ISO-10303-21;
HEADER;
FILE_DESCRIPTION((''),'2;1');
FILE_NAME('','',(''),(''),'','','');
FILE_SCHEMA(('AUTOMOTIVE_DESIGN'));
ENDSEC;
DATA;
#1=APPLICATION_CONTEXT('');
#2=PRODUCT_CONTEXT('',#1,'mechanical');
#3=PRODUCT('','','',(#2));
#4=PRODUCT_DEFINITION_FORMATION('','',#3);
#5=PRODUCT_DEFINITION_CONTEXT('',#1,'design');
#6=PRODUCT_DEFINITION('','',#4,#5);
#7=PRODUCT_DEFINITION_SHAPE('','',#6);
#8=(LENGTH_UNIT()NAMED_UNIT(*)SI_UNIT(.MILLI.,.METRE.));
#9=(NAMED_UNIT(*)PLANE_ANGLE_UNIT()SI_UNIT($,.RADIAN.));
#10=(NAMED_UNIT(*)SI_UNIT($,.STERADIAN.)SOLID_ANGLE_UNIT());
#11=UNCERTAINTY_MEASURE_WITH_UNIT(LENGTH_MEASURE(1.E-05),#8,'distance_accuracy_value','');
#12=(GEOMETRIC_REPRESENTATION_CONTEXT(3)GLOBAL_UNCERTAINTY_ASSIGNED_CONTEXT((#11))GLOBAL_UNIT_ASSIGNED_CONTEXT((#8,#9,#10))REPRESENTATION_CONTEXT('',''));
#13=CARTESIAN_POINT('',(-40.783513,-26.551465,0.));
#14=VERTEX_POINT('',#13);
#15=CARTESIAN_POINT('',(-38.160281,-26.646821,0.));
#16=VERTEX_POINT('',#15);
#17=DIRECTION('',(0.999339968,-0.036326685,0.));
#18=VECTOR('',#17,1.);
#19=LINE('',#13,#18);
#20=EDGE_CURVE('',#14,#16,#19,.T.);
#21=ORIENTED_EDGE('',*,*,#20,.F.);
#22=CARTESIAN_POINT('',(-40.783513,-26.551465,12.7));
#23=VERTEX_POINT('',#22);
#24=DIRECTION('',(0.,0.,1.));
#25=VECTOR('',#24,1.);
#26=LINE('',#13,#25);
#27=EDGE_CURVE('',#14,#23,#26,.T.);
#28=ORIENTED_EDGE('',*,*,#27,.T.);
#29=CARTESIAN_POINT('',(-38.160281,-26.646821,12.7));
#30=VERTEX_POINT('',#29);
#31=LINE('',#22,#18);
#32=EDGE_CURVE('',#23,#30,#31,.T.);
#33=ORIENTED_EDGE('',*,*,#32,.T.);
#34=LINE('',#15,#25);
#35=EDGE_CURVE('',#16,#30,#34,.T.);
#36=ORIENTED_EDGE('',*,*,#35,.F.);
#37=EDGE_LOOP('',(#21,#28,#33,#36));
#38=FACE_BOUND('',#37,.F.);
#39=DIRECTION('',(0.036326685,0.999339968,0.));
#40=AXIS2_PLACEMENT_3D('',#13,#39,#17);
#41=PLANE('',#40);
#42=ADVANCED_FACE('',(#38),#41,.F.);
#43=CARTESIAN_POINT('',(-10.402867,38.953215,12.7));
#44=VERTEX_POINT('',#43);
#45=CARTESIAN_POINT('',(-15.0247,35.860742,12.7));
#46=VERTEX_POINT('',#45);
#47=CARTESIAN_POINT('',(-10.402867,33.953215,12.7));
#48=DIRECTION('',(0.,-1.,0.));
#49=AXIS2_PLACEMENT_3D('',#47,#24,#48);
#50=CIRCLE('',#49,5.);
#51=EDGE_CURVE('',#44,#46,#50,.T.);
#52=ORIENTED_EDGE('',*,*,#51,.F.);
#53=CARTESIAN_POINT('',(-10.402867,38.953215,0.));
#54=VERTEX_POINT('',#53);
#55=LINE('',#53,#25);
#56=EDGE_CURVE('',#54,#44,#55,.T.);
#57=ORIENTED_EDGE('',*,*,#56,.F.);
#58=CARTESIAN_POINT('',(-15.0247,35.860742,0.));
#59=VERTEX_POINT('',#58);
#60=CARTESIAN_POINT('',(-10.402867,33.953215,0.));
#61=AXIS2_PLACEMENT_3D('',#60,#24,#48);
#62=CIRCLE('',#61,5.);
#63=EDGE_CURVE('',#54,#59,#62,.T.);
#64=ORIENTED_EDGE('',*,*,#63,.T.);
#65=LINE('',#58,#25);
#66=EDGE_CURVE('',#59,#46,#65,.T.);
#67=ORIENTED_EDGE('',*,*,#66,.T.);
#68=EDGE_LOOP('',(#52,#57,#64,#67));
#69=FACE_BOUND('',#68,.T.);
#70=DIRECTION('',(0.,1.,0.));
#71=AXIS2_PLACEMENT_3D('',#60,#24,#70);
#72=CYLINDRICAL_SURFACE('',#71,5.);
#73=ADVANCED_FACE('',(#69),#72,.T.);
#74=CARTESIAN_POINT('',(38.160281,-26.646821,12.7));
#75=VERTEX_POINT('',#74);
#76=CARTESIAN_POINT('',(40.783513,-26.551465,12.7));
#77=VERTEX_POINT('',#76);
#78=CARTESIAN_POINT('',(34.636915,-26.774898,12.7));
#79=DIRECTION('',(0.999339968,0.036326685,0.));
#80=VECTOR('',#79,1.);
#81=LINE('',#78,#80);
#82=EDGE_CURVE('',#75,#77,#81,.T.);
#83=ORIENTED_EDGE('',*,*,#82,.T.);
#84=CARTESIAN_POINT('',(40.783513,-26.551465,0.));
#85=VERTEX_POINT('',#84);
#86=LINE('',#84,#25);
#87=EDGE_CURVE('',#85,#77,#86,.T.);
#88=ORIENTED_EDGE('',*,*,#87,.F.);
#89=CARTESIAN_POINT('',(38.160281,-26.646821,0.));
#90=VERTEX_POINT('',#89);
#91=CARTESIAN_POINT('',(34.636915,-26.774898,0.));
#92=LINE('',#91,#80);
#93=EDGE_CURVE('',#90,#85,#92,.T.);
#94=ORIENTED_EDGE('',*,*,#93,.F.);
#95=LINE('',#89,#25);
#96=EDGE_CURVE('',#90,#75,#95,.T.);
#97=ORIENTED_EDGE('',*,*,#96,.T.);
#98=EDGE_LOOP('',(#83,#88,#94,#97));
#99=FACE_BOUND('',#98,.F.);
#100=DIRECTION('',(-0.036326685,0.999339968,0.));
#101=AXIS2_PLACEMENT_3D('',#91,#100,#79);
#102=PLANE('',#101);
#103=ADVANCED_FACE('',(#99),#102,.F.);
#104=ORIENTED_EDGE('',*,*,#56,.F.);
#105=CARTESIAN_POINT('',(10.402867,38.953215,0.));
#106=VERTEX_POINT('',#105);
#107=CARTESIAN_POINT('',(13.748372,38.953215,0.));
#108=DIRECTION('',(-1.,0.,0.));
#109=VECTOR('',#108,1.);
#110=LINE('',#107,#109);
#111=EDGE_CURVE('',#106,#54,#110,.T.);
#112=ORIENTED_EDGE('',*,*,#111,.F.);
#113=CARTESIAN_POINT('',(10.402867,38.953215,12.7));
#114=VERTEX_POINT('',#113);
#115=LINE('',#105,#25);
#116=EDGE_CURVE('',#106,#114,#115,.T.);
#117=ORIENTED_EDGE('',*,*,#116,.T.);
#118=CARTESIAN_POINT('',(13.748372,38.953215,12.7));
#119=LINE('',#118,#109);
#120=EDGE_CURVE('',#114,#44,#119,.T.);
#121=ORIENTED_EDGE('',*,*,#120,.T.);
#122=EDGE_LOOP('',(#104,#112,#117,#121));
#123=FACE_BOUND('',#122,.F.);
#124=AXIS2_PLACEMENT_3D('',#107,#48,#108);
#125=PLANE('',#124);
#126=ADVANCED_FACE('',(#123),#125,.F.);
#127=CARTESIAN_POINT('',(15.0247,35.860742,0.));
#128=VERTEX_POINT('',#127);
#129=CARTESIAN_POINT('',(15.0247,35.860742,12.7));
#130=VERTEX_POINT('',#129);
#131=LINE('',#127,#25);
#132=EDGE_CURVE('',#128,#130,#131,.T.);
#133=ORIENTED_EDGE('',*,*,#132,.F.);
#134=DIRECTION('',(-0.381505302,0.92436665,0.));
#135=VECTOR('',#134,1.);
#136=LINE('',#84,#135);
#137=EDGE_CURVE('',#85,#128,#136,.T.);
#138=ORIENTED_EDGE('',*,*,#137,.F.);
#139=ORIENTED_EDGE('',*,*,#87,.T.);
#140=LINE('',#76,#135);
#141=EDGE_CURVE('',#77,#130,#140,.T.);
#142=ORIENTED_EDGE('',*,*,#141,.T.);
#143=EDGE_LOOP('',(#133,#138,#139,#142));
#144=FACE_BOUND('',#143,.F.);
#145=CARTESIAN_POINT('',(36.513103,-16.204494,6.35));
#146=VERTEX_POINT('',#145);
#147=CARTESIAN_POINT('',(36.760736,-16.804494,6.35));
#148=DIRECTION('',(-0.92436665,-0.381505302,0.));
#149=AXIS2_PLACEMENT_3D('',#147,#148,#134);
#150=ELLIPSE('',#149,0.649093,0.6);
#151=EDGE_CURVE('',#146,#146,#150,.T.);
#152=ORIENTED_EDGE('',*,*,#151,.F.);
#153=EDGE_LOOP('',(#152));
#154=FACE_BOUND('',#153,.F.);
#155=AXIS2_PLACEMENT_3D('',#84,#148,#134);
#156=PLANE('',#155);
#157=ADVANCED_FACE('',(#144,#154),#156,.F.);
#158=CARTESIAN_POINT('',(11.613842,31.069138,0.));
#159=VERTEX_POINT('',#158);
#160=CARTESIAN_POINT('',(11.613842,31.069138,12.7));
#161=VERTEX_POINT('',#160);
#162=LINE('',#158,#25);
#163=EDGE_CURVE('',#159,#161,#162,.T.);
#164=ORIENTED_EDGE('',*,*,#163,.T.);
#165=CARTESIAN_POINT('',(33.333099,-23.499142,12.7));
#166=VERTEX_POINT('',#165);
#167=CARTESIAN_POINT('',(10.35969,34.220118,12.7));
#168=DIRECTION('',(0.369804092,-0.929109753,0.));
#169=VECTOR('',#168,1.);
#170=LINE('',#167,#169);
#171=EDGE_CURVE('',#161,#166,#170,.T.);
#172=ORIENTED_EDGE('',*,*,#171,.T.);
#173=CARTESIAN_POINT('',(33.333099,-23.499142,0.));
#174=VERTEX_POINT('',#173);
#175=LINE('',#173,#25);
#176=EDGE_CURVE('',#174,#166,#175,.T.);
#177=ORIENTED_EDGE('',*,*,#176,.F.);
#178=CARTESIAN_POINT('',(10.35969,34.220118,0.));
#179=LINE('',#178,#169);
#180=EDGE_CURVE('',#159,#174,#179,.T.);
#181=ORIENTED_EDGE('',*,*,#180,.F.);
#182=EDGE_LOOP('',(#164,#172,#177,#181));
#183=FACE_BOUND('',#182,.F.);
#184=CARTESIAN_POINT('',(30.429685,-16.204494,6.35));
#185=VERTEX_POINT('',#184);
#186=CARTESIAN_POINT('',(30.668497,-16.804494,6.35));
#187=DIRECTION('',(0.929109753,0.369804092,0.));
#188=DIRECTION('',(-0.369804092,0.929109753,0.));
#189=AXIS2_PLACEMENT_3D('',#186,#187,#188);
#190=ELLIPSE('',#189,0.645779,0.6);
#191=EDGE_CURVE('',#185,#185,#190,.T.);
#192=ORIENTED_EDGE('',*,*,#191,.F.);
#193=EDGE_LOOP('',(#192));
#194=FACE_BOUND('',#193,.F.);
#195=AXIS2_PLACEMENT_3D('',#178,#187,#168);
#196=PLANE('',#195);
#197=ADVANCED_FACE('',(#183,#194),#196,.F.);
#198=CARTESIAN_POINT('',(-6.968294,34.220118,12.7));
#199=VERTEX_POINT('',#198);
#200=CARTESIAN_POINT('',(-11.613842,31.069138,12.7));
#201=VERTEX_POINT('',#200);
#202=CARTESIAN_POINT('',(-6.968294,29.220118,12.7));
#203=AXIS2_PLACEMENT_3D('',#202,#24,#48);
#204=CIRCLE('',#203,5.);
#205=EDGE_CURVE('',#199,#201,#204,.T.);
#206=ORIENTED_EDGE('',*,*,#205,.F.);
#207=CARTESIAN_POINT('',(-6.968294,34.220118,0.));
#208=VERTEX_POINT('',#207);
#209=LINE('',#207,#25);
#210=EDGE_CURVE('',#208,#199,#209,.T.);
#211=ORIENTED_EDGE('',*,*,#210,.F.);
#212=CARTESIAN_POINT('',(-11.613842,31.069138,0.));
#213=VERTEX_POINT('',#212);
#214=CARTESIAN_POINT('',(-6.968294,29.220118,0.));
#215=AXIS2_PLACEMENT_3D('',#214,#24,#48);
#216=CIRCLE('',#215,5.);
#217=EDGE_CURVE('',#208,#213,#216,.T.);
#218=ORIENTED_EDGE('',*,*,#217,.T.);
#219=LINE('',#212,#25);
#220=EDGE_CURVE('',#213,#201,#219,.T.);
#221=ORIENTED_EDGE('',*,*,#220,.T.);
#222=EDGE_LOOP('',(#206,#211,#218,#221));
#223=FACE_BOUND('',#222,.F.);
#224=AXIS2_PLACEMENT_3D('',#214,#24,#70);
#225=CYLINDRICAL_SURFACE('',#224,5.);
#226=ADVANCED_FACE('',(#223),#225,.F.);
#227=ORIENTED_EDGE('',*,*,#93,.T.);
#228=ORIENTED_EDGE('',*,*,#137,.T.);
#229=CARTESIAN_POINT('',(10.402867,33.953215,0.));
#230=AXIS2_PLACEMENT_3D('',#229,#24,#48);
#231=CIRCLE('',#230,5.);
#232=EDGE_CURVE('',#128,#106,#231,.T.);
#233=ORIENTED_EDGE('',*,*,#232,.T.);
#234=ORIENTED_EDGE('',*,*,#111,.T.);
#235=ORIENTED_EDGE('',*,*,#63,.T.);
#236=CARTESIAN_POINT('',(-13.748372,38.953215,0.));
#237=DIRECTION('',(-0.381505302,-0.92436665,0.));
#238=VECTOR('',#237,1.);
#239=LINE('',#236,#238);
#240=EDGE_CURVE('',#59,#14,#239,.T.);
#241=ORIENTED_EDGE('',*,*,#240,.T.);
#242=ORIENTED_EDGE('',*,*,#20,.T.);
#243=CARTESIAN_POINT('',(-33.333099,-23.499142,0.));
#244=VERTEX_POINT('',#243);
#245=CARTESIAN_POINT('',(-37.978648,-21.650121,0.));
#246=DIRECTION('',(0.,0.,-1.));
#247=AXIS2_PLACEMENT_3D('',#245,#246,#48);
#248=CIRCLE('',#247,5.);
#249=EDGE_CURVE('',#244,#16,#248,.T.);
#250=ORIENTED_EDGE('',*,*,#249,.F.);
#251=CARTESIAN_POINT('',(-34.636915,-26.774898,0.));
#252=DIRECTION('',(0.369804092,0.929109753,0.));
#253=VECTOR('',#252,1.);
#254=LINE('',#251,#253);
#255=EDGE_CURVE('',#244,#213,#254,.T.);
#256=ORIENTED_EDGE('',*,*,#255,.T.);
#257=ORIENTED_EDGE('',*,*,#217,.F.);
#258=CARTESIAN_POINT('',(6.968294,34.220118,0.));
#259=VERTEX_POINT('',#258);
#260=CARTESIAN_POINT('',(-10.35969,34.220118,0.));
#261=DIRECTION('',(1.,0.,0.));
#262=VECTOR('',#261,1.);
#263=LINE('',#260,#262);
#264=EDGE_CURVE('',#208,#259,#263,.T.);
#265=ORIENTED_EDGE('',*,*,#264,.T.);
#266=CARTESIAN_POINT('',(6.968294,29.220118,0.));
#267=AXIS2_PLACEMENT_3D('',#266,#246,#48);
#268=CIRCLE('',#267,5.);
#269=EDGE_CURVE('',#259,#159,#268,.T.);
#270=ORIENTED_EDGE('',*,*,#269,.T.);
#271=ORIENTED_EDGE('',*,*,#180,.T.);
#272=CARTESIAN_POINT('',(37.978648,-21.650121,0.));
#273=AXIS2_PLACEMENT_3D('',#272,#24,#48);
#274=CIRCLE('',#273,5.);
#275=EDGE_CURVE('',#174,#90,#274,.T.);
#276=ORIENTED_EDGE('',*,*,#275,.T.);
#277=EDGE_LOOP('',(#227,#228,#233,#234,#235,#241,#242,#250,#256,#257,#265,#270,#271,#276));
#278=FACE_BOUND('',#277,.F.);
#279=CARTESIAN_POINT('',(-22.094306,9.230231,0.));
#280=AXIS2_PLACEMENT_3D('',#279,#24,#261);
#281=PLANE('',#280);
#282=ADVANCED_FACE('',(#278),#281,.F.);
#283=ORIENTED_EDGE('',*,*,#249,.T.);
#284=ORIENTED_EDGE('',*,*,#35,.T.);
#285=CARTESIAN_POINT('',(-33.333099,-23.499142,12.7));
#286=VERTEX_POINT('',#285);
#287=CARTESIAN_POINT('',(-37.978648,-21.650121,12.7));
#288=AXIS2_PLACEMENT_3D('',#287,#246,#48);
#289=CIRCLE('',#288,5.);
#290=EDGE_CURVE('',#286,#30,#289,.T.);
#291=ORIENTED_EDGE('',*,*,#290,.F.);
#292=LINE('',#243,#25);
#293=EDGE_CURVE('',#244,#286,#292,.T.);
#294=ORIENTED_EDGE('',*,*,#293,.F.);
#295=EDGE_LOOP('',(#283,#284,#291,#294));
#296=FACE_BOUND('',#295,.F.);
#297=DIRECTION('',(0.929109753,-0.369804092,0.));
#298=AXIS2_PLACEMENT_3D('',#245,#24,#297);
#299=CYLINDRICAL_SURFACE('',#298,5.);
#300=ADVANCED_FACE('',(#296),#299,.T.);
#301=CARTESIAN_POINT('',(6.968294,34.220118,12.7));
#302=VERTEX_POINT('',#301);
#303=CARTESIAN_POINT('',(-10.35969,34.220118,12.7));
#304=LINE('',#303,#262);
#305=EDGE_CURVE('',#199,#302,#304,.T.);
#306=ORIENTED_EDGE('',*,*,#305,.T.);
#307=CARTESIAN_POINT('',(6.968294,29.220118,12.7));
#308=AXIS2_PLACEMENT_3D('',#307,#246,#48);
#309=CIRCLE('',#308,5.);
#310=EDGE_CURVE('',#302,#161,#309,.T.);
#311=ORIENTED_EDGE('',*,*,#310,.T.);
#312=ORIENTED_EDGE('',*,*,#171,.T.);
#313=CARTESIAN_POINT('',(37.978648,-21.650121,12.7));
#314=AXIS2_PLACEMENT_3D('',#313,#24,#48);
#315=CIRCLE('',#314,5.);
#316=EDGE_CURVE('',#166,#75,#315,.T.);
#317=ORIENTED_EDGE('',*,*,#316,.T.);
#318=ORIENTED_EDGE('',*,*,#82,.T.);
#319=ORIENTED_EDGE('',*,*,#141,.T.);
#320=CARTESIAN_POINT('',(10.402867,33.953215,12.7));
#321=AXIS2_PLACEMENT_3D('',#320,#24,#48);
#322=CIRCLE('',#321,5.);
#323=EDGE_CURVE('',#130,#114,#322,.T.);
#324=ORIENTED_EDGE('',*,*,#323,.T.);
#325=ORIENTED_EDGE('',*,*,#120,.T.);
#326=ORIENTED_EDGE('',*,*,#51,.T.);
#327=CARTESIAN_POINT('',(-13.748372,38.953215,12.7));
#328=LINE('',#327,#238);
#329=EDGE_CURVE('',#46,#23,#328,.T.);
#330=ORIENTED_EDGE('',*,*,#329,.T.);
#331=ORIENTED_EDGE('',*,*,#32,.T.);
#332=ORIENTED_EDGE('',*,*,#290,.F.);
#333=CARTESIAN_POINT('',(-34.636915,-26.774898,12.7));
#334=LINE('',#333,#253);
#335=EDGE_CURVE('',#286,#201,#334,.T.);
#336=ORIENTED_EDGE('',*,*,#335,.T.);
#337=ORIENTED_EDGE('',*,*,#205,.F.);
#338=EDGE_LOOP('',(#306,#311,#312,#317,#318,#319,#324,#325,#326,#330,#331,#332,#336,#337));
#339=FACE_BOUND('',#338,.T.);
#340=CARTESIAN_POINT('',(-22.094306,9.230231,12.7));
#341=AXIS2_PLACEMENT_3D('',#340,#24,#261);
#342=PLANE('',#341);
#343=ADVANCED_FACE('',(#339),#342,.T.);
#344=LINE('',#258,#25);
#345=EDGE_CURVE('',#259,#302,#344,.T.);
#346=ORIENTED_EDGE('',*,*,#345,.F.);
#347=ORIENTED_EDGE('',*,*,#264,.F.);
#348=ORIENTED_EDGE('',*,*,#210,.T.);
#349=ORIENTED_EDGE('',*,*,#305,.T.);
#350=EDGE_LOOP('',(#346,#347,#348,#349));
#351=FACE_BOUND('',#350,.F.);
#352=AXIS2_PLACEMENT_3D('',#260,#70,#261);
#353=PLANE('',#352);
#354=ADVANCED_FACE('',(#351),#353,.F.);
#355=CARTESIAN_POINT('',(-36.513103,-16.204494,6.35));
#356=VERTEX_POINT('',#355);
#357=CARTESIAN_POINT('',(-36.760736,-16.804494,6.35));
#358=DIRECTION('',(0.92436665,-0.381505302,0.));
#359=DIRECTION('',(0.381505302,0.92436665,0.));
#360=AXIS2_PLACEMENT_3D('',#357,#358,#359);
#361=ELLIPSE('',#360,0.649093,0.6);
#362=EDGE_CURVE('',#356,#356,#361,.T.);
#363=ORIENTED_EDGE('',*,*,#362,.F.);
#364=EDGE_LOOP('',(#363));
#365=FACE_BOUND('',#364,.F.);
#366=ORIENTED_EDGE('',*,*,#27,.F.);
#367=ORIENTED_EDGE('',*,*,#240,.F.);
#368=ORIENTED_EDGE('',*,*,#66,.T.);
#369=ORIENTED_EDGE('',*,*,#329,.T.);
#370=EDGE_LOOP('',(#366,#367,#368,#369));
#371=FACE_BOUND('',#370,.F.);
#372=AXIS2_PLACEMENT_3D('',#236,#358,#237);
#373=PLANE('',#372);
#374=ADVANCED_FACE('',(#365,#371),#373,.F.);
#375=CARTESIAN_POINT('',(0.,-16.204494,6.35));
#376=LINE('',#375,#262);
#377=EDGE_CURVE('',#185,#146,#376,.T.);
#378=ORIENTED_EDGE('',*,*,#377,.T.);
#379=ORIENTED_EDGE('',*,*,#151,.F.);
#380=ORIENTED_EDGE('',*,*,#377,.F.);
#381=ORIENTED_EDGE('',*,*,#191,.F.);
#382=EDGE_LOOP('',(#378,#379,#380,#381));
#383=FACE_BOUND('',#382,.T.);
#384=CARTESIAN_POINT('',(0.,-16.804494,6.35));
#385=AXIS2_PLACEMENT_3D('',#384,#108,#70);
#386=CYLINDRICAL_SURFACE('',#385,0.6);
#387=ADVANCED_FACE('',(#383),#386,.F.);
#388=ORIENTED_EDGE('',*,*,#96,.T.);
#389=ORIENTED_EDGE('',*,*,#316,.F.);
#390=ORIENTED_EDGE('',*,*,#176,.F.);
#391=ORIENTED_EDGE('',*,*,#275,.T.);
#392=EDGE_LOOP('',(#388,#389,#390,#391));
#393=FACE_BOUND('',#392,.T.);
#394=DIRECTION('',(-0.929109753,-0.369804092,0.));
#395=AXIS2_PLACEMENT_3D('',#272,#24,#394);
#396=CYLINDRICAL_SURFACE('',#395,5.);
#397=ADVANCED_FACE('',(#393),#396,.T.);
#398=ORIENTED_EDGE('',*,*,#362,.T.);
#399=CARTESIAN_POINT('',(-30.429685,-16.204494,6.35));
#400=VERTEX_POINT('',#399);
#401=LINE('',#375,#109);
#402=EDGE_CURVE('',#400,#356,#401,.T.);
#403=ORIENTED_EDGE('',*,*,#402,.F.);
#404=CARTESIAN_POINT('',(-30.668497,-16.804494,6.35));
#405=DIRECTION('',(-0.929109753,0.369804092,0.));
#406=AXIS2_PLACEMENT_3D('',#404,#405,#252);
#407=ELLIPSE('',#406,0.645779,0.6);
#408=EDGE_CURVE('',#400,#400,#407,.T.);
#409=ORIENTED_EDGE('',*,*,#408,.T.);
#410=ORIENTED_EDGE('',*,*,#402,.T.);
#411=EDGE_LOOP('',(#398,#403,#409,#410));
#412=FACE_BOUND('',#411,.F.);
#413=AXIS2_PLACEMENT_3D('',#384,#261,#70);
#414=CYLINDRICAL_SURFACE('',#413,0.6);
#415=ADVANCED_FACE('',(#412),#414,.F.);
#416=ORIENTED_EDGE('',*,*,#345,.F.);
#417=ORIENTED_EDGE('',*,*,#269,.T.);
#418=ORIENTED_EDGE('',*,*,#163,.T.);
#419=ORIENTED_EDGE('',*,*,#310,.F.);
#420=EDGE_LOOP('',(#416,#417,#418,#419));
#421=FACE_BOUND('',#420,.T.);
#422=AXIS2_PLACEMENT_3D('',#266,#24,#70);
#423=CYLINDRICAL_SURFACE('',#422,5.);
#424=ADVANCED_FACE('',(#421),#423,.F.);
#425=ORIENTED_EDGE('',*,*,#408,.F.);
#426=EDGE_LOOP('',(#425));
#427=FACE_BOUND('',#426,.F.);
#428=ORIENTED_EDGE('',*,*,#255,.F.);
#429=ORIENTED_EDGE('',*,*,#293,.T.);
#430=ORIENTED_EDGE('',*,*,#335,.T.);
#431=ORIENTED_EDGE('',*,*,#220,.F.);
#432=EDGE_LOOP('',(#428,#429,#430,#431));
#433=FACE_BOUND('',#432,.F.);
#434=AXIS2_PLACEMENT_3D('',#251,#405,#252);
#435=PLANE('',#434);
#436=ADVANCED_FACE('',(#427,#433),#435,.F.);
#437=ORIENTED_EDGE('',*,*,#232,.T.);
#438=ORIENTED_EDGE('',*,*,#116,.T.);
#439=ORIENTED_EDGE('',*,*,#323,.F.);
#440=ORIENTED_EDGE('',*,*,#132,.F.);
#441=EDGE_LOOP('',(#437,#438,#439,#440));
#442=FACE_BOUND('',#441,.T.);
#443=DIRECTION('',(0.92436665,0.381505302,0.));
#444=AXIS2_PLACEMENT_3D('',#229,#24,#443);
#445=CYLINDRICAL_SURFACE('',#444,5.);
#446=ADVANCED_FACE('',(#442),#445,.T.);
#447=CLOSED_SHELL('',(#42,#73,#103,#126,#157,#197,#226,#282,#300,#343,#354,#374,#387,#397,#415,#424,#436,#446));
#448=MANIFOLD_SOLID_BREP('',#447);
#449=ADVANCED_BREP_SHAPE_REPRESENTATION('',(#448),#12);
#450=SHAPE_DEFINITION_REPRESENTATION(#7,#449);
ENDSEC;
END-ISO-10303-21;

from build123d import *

# Parameters (mm, degrees)
F1_DEPTH      = 12.7
F2_R          = 0.6
F3_DEPTH      = 85.2
F3_DEPTH_BACK = 66
F4_R          = 5


with BuildPart() as f1:
    # F0 (on Top) → F1 (new body)
    with BuildSketch(Plane.XY):
        Polygon((-10.35969, 34.220118), (0, 34.220118), (0, 38.953215), (-13.748372, 38.953215), (-40.783513, -26.551465), (-34.636915, -26.774898), align=None)
        Polygon((0, 38.953215), (0, 34.220118), (10.35969, 34.220118), (34.636915, -26.774898), (40.783513, -26.551465), (13.748372, 38.953215), align=None)
    extrude(amount=F1_DEPTH)

    # F2 (on Right) → F3 (cut, two sides)
    with BuildSketch(Plane.YZ) as f3_sk:
        with Locations((-16.804494, 6.35)):
            Circle(F2_R)
    extrude(amount=F3_DEPTH, mode=Mode.SUBTRACT)
    extrude(f3_sk.sketch, amount=-F3_DEPTH_BACK, mode=Mode.SUBTRACT)

    # F4
    f4_edges = [f1.edges().sort_by_distance(p)[0] for p in [
        (13.748372, 38.953215, 6.35),
        (-13.748372, 38.953215, 6.35),
        (-34.636915, -26.774898, 6.35),
        (34.636915, -26.774898, 6.35),
        (-10.35969, 34.220118, 6.35),
        (10.35969, 34.220118, 6.35),
    ]]
    fillet(f4_edges, radius=F4_R)


solid = f1.part
